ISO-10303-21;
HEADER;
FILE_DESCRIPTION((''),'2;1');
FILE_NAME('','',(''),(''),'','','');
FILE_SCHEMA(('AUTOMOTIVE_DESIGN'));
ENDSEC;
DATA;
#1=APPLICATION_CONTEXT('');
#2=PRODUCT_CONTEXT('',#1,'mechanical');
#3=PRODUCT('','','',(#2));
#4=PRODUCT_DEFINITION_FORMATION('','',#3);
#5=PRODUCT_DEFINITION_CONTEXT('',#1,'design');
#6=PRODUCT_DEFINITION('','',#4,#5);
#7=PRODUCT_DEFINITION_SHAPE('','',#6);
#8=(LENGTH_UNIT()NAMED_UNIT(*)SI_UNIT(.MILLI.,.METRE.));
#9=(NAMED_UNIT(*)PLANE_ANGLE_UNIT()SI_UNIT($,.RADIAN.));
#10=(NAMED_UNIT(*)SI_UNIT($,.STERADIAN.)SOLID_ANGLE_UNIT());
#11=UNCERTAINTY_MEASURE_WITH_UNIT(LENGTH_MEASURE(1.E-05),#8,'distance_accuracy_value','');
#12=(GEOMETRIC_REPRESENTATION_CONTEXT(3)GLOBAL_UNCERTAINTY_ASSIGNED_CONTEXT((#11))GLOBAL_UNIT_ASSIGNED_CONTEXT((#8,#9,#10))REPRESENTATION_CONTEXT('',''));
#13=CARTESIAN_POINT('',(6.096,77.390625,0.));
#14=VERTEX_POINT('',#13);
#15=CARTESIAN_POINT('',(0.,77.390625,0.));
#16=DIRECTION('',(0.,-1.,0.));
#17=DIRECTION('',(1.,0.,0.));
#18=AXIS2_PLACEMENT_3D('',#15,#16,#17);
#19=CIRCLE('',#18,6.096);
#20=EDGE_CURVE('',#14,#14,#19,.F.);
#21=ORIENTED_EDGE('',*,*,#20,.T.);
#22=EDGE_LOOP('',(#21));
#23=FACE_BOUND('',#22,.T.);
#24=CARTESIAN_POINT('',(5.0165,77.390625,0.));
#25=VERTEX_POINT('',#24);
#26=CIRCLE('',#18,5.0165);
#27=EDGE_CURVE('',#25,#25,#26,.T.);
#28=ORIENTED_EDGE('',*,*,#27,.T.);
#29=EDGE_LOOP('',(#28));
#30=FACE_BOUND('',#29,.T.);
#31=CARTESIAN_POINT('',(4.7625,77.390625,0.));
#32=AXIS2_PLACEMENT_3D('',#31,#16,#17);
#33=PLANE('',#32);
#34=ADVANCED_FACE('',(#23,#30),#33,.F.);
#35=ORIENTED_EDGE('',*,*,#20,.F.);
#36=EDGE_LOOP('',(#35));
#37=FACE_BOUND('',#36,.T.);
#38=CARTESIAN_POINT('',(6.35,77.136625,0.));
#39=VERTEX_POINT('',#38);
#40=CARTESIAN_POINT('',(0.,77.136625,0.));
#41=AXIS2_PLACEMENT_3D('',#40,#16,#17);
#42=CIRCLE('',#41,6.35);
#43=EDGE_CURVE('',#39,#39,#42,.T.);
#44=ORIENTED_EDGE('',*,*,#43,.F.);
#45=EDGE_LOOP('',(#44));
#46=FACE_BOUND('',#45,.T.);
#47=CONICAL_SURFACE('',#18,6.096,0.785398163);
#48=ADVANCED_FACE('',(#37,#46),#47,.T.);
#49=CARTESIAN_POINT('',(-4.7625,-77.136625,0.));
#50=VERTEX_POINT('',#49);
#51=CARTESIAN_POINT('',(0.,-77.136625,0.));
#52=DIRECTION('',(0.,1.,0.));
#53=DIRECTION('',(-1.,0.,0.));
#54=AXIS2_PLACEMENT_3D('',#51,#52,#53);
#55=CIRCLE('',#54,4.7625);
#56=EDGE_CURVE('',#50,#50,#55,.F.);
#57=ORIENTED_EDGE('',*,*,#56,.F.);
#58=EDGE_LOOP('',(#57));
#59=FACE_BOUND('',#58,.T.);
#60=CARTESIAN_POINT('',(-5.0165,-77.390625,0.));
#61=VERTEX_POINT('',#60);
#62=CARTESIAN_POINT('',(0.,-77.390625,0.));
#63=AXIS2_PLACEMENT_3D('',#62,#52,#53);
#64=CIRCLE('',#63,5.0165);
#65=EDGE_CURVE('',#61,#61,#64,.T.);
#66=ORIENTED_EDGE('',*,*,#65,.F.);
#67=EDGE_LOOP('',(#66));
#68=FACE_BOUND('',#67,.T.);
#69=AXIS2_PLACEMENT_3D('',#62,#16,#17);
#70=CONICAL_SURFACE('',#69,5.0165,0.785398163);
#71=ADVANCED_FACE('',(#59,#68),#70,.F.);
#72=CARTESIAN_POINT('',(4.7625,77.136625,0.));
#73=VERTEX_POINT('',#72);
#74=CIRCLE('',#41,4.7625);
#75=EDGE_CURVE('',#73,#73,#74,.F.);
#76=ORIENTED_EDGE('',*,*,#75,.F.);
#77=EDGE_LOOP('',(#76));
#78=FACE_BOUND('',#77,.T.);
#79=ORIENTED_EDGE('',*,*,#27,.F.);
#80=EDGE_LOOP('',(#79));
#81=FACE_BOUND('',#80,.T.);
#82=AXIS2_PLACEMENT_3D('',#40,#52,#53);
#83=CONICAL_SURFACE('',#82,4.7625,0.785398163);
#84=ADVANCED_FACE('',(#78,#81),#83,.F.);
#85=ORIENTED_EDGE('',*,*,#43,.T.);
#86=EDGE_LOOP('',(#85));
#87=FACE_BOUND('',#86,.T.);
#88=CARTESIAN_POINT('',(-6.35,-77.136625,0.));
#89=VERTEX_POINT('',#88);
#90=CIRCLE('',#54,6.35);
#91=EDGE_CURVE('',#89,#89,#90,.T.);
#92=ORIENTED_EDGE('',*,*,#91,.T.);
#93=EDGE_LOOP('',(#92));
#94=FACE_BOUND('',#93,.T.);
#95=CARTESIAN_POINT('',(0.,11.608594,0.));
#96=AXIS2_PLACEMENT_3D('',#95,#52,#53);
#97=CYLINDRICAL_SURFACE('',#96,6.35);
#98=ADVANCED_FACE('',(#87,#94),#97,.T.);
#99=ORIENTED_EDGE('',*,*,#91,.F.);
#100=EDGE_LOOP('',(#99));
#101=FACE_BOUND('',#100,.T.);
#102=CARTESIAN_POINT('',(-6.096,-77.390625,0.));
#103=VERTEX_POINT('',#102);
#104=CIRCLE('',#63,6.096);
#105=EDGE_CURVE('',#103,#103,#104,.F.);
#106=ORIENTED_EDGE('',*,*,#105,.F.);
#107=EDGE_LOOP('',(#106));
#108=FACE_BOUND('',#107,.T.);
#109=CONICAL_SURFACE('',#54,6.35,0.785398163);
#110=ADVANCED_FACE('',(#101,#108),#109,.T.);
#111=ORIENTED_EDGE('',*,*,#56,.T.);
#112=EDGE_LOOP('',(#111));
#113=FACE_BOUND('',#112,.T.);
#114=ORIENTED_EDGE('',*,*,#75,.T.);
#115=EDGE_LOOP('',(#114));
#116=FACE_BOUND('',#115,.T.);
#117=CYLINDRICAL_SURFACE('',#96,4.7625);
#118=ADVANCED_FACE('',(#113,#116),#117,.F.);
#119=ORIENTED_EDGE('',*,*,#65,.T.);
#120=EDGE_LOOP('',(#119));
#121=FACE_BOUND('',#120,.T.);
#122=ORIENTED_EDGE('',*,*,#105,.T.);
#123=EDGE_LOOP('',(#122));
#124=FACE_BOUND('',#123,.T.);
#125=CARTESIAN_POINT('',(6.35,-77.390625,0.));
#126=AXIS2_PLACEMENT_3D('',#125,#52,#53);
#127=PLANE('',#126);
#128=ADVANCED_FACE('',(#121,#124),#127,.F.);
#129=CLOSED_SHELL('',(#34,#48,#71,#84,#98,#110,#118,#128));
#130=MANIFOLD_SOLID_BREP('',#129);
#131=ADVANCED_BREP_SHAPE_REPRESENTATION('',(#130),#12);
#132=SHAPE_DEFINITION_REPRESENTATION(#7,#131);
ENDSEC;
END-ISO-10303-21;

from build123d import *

# Parameters (mm, degrees)
SKETCH1_W     = 1.5875
SKETCH1_H     = 154.78125
CHAMFER1_SIZE = 0.254


with BuildPart() as part:
    # Sketch1 → Revolve1 (revolve)
    with BuildSketch(Plane.XY):
        with Locations((5.55625, 0)):
            Rectangle(SKETCH1_W, SKETCH1_H)
    revolve(axis=Axis((0, 11.60859375, 0), (0, -1, 0)))

    # Chamfer1
    chamfer1_edges = [part.edges().sort_by_distance(p)[0] for p in [
        (-4.7625, -77.390625, 0),
        (-6.35, -77.390625, 0),
        (-6.35, 77.390625, 0),
        (-4.7625, 77.390625, 0),
    ]]
    chamfer(chamfer1_edges, length=CHAMFER1_SIZE)


solid = part.part
